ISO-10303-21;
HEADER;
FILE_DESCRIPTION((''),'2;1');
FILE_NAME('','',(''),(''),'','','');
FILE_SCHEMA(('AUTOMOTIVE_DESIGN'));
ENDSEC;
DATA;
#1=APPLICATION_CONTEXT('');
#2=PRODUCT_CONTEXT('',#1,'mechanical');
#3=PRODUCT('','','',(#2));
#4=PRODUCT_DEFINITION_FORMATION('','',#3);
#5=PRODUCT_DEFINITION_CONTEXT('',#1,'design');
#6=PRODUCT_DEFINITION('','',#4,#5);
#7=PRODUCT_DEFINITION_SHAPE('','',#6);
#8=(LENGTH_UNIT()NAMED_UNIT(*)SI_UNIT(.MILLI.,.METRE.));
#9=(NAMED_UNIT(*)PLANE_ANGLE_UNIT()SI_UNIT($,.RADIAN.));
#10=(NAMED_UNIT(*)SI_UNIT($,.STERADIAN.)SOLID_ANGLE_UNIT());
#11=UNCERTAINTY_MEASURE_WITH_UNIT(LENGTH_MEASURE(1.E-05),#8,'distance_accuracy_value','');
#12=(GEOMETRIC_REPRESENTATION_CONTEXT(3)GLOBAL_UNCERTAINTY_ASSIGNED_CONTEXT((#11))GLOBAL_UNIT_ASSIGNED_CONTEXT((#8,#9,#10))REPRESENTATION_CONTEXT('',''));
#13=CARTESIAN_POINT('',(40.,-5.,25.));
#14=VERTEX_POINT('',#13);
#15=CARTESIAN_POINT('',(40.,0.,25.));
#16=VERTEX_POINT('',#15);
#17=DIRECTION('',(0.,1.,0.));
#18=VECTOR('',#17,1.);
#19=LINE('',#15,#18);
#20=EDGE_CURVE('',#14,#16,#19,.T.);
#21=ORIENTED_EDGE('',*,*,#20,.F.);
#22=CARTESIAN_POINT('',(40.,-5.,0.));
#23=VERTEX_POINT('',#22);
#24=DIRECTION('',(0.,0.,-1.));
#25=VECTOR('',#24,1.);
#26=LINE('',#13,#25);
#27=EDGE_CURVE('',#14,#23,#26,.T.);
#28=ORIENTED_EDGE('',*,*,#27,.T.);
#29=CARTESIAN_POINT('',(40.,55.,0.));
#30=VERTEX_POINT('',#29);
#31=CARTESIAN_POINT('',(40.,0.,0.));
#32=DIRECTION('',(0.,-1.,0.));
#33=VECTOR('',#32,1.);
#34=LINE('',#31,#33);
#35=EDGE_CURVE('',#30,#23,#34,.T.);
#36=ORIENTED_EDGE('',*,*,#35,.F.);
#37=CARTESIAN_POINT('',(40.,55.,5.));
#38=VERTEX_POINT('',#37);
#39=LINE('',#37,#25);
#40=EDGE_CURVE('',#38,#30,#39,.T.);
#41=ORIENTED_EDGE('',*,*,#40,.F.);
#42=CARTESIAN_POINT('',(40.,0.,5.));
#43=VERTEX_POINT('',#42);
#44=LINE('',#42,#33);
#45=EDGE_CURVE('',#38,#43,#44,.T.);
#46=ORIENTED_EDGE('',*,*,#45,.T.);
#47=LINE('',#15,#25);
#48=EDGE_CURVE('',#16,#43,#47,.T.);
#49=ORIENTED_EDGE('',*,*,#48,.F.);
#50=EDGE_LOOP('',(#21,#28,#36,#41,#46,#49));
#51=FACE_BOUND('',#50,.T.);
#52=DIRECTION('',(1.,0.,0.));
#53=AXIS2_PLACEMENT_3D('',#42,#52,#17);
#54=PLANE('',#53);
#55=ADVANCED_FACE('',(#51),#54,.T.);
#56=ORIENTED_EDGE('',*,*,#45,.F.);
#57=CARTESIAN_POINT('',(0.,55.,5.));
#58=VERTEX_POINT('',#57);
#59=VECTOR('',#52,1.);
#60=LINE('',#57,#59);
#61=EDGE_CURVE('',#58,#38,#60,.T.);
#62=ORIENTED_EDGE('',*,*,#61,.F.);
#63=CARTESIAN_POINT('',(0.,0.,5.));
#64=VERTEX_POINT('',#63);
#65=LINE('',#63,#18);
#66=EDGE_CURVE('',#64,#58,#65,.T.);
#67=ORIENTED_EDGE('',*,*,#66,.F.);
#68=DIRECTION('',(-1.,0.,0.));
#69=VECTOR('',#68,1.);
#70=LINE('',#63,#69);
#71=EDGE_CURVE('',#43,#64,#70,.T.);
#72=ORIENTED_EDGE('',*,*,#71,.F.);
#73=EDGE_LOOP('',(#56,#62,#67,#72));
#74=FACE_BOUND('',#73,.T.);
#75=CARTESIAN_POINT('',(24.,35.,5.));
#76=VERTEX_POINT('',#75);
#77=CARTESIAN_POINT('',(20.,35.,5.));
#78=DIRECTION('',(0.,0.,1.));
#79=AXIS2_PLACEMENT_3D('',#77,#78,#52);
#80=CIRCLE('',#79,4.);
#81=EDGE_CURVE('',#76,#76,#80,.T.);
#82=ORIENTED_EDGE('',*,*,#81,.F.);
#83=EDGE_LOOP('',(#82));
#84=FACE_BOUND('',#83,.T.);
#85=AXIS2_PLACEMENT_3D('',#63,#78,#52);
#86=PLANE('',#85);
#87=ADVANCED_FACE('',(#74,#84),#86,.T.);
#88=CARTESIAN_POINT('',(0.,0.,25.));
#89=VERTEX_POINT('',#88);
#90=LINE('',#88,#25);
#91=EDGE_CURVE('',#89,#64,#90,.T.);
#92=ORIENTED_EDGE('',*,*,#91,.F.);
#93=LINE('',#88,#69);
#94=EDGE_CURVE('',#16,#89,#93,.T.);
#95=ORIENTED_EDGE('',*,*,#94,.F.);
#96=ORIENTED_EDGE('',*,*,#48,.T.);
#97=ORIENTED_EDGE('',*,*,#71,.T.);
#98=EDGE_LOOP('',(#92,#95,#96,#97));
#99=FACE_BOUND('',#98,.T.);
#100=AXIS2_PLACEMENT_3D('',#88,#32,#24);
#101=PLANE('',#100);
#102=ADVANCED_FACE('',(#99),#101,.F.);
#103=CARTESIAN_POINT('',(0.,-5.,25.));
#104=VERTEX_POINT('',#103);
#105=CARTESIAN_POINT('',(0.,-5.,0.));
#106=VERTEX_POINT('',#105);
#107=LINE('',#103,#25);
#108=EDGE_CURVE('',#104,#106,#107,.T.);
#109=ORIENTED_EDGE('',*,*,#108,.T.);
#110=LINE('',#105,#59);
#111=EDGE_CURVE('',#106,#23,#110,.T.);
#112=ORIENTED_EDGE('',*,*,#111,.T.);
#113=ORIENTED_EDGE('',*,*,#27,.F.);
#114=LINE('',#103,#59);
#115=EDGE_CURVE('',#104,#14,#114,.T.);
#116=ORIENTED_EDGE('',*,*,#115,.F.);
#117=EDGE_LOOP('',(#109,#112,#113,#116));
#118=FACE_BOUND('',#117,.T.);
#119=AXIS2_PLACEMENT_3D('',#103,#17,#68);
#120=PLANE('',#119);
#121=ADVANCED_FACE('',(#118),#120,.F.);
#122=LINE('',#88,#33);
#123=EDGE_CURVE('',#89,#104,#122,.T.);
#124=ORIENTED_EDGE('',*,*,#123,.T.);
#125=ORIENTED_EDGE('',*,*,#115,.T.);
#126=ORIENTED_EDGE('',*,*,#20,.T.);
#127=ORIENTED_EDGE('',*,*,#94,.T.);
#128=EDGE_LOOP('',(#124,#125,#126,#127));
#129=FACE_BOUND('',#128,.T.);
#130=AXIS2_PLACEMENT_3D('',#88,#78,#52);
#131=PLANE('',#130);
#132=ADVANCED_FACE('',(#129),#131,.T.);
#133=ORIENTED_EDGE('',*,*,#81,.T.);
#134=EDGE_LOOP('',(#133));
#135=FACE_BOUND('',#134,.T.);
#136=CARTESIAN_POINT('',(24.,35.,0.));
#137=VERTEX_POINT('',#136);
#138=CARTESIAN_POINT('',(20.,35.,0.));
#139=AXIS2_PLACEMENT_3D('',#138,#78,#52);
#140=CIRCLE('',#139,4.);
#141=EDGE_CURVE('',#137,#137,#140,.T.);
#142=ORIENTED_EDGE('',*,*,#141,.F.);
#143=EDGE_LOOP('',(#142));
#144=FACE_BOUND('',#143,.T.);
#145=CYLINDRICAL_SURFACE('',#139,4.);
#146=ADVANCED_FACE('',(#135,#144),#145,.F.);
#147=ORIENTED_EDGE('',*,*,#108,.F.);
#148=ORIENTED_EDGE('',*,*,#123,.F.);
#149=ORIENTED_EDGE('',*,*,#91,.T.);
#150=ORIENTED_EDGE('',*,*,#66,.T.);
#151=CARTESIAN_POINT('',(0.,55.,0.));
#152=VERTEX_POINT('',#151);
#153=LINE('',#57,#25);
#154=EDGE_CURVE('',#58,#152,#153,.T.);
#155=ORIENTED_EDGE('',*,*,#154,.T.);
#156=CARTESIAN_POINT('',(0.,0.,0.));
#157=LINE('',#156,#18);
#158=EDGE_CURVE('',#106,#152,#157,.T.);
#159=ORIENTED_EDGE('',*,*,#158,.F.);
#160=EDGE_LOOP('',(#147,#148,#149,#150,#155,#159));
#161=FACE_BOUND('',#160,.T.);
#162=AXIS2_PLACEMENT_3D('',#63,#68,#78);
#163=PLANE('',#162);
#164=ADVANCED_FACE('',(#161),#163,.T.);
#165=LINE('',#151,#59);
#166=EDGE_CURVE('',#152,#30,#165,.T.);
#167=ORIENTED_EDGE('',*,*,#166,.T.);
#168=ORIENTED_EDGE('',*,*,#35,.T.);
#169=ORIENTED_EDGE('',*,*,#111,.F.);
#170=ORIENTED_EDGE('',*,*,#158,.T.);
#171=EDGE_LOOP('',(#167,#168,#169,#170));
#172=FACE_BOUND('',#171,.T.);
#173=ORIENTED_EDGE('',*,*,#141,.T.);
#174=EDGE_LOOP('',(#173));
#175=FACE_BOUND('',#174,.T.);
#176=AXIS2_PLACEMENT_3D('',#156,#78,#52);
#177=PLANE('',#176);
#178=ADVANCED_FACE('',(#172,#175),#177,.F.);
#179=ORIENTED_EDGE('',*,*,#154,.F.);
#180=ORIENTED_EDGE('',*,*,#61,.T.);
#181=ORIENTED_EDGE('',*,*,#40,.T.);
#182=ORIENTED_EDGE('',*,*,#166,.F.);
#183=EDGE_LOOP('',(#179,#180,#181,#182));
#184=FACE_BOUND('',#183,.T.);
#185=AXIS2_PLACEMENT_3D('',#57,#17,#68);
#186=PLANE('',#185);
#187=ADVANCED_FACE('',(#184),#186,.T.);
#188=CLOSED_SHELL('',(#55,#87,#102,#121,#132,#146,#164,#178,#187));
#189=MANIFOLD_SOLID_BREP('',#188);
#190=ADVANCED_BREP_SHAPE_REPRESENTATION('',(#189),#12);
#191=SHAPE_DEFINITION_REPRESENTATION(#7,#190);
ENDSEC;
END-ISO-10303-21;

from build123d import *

# Parameters (mm, degrees)
SKETCH1_W           = 40
SKETCH1_H           = 55
BOSS_EXTRUDE1_DEPTH = 5
SKETCH1_3_W         = 40
SKETCH1_3_H         = 5
BOSS_EXTRUDE2_DEPTH = 25
SKETCH2_R           = 4
CUT_EXTRUDE1_DEPTH  = 6


with BuildPart() as part:
    # Sketch1 → Boss-Extrude1 (new body)
    with BuildSketch(Plane.XY):
        with Locations((20, 27.5)):
            Rectangle(SKETCH1_W, SKETCH1_H)
    extrude(amount=BOSS_EXTRUDE1_DEPTH)

    # Sketch1<3> → Boss-Extrude2 (add)
    with BuildSketch(Plane.XY):
        with Locations((20, -2.5)):
            Rectangle(SKETCH1_3_W, SKETCH1_3_H)
    extrude(amount=BOSS_EXTRUDE2_DEPTH)

    # Sketch2 → Cut-Extrude1 (cut, through all)
    with BuildSketch(Plane.XY.offset(5)):
        with Locations((20, 35)):
            Circle(SKETCH2_R)
    extrude(amount=-CUT_EXTRUDE1_DEPTH, mode=Mode.SUBTRACT)


solid = part.part
